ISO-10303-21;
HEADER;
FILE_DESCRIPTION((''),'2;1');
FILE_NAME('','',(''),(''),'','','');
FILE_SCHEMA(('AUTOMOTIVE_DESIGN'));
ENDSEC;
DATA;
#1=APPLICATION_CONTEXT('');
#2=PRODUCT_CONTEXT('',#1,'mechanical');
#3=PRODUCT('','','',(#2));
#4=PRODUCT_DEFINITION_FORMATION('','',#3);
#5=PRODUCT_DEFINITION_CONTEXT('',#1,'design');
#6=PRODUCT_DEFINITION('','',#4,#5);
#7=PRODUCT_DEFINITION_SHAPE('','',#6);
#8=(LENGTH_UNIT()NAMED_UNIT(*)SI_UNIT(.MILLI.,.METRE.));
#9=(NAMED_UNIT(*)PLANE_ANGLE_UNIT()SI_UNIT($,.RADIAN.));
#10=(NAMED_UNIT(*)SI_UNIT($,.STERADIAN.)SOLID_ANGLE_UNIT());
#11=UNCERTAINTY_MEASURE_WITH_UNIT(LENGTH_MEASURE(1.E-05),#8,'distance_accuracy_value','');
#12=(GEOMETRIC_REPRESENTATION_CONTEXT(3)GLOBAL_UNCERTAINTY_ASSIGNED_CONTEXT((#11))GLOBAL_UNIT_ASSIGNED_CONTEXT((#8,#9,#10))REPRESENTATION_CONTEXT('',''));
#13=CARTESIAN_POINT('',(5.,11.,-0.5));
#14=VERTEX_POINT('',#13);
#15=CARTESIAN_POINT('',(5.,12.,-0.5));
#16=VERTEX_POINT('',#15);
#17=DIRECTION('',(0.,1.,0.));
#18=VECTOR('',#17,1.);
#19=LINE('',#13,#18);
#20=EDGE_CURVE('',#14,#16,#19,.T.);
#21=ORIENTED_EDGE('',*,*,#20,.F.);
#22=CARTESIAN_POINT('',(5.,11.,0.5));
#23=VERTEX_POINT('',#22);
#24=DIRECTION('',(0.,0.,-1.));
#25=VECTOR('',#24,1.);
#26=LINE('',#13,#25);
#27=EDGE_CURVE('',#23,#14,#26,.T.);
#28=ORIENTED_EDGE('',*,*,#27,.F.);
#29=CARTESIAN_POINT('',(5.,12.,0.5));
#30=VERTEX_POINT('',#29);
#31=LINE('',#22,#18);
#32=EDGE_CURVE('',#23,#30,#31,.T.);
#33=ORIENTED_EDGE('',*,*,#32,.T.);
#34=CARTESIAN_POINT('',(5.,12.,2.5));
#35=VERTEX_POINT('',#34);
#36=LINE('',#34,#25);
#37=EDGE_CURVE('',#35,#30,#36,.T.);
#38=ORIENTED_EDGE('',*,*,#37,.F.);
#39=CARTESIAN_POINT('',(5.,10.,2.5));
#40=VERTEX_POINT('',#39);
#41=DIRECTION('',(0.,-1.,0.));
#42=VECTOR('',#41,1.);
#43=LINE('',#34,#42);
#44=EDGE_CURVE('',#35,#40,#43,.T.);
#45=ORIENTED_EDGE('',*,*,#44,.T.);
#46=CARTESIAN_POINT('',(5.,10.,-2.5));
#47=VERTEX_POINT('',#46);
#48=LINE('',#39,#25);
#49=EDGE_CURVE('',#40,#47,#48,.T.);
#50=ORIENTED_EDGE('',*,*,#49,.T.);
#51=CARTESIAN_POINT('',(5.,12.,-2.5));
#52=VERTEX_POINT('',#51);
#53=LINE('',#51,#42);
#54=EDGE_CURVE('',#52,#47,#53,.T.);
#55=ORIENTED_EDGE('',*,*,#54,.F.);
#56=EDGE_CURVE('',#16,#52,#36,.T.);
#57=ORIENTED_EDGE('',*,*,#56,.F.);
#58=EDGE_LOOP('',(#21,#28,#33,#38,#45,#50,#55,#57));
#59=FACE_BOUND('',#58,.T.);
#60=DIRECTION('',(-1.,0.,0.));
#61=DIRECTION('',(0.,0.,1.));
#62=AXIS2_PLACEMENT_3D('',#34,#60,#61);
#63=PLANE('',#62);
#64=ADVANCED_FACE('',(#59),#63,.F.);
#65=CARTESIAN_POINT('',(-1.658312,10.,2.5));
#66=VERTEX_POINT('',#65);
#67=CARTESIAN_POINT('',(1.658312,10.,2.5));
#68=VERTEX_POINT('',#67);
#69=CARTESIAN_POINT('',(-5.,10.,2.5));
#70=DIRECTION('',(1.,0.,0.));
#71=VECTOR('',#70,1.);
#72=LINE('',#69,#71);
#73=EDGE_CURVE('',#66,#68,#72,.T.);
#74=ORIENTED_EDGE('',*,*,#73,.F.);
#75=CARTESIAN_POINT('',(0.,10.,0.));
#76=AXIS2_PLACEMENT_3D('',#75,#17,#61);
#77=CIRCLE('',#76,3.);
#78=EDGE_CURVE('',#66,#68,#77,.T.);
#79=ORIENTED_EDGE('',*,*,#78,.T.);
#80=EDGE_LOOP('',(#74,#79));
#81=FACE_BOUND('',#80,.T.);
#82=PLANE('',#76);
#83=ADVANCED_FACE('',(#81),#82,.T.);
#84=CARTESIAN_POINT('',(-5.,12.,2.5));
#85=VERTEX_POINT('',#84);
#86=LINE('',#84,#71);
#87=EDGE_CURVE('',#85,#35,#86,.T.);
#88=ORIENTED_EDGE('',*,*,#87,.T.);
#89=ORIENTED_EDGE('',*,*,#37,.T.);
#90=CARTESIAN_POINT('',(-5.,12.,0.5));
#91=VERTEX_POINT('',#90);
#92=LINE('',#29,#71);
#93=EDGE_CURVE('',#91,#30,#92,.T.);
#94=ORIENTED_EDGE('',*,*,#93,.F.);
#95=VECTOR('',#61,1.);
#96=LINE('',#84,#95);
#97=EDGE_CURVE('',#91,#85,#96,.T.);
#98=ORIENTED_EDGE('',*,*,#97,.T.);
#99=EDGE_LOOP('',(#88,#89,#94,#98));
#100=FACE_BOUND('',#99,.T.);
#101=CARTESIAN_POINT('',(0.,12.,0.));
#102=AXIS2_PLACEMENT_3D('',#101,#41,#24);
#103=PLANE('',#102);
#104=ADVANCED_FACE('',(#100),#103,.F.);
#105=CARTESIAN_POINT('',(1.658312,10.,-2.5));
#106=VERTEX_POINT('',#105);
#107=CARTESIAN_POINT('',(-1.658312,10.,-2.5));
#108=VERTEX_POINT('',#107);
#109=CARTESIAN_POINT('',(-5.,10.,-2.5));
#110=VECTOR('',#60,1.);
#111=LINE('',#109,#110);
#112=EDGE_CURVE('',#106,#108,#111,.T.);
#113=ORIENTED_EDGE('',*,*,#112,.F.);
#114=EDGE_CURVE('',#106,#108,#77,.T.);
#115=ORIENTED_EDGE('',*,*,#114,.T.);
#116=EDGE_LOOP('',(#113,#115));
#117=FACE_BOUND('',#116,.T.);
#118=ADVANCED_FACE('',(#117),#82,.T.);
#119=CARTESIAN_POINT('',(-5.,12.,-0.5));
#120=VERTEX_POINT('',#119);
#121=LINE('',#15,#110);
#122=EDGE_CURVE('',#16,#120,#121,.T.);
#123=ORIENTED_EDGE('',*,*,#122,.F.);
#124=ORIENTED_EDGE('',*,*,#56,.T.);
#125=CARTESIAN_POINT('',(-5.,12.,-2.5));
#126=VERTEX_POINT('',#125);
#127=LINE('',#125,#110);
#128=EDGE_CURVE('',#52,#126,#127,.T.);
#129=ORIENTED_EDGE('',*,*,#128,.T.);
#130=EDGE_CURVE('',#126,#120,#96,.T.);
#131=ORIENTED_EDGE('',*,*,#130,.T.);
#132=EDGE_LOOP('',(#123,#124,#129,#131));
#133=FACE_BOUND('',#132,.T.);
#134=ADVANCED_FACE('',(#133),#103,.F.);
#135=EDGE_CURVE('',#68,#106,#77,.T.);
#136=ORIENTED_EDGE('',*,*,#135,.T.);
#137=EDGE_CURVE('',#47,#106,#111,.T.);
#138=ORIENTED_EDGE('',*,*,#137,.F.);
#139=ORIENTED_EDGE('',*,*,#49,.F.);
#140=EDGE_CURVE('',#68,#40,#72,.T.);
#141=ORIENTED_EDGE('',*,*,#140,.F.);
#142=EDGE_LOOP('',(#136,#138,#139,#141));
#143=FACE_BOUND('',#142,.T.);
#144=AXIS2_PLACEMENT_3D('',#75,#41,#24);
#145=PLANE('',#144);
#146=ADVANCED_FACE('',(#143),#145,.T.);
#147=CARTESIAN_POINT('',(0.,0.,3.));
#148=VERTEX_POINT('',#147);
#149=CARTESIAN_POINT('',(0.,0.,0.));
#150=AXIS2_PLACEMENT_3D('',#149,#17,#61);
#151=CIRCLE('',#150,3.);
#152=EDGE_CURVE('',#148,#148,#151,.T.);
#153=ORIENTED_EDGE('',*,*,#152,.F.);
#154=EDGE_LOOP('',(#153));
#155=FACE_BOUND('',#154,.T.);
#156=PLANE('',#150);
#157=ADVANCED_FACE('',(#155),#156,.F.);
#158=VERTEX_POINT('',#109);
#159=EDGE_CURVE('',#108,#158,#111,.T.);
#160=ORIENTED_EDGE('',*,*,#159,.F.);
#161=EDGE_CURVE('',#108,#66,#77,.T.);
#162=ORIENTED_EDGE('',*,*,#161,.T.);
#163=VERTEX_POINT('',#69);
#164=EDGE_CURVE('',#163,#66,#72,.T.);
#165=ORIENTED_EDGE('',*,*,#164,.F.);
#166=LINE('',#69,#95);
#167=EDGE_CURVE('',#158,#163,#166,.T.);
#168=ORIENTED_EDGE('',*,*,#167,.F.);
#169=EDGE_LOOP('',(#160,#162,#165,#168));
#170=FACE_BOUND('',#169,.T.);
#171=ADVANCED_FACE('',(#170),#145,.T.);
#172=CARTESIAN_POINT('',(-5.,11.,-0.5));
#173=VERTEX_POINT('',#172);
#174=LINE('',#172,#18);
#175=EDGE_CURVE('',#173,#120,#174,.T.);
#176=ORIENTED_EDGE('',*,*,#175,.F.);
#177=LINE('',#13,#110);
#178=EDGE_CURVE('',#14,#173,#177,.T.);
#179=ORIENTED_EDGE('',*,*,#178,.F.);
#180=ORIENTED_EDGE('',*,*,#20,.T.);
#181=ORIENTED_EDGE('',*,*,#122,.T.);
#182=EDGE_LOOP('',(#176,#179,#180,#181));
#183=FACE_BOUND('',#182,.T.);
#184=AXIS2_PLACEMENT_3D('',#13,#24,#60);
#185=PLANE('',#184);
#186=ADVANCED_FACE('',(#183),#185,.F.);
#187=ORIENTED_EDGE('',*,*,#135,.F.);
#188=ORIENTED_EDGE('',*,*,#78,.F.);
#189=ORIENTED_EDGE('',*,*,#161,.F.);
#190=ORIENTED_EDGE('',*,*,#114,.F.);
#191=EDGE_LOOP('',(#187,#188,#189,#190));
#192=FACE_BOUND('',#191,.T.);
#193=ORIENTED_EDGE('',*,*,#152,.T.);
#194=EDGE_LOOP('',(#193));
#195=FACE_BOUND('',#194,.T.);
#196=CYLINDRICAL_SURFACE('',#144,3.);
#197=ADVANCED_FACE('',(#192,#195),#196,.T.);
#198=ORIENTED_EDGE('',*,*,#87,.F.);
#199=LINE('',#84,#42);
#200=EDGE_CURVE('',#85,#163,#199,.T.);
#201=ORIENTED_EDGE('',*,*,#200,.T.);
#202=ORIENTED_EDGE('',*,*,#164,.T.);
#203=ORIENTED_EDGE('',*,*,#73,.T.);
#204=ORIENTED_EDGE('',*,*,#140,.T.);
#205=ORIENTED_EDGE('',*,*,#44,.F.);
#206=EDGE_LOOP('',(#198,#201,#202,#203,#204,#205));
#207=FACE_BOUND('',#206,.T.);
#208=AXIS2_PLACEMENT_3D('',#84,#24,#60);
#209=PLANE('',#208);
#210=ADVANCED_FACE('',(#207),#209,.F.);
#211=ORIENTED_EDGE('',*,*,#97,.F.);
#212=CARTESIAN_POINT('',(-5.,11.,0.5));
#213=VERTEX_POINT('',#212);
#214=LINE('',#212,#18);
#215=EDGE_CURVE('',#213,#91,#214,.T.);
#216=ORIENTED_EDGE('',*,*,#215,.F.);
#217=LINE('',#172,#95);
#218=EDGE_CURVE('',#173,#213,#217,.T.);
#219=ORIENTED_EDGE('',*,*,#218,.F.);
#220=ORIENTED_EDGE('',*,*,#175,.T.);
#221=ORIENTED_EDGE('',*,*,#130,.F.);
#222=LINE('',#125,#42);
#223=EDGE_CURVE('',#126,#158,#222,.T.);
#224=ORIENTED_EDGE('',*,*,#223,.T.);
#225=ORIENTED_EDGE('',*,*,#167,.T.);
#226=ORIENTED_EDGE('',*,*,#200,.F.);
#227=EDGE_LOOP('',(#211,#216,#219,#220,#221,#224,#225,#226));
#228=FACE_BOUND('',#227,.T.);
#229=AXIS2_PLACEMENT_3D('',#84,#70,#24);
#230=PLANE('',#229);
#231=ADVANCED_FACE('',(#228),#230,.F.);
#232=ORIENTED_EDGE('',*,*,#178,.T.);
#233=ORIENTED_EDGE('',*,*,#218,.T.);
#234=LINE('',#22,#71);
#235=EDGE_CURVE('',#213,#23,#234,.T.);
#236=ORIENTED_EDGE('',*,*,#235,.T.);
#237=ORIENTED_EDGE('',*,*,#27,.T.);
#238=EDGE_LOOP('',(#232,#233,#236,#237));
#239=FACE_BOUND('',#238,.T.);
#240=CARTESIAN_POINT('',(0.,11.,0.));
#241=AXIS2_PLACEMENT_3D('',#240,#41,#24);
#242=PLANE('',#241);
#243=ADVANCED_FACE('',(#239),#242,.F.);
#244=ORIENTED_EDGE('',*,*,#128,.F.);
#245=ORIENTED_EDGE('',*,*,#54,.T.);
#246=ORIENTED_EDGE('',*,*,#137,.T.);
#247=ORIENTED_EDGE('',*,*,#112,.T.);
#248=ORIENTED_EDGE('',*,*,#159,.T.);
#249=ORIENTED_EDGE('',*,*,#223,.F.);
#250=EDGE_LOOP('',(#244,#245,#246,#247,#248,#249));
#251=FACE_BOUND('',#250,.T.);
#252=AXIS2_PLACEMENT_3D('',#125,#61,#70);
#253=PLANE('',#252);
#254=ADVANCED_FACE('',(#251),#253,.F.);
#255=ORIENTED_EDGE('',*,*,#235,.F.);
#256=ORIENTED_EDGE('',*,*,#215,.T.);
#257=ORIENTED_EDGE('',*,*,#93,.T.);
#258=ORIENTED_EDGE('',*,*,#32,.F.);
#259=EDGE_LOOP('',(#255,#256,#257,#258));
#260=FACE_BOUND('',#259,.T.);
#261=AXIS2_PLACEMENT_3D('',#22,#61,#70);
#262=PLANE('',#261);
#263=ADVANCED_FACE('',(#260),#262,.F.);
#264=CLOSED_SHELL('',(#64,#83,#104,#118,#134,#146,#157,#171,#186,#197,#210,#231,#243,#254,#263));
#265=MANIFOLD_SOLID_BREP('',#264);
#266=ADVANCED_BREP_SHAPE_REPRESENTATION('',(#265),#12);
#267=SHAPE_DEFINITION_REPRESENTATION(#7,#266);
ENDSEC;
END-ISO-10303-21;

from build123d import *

# Parameters (mm, degrees)
SKETCH1_R           = 3
BOSS_EXTRUDE1_DEPTH = 10
SKETCH2_W           = 10
SKETCH2_H           = 5
BOSS_EXTRUDE2_DEPTH = 2
SKETCH3_W           = 10
SKETCH3_H           = 1
CUT_EXTRUDE1_DEPTH  = 1


with BuildPart() as part:
    # Sketch1 → Boss-Extrude1 (new body)
    with BuildSketch(Plane(origin=(0, 0, 0), x_dir=(1, 0, 0), z_dir=(0, 1, 0))):
        with Locations(Location((0, 0, 0), (0, 0, 270))):
            Circle(SKETCH1_R)
    extrude(amount=BOSS_EXTRUDE1_DEPTH)

    # Sketch2 → Boss-Extrude2 (add)
    with BuildSketch(Plane(origin=(0, 10, 0), x_dir=(1, 0, 0), z_dir=(0, 1, 0))):
        Rectangle(SKETCH2_W, SKETCH2_H)
    extrude(amount=BOSS_EXTRUDE2_DEPTH)

    # Sketch3 → Cut-Extrude1 (cut)
    with BuildSketch(Plane(origin=(0, 12, 0), x_dir=(1, 0, 0), z_dir=(0, 1, 0))):
        Rectangle(SKETCH3_W, SKETCH3_H)
    extrude(amount=-CUT_EXTRUDE1_DEPTH, mode=Mode.SUBTRACT)


solid = part.part
